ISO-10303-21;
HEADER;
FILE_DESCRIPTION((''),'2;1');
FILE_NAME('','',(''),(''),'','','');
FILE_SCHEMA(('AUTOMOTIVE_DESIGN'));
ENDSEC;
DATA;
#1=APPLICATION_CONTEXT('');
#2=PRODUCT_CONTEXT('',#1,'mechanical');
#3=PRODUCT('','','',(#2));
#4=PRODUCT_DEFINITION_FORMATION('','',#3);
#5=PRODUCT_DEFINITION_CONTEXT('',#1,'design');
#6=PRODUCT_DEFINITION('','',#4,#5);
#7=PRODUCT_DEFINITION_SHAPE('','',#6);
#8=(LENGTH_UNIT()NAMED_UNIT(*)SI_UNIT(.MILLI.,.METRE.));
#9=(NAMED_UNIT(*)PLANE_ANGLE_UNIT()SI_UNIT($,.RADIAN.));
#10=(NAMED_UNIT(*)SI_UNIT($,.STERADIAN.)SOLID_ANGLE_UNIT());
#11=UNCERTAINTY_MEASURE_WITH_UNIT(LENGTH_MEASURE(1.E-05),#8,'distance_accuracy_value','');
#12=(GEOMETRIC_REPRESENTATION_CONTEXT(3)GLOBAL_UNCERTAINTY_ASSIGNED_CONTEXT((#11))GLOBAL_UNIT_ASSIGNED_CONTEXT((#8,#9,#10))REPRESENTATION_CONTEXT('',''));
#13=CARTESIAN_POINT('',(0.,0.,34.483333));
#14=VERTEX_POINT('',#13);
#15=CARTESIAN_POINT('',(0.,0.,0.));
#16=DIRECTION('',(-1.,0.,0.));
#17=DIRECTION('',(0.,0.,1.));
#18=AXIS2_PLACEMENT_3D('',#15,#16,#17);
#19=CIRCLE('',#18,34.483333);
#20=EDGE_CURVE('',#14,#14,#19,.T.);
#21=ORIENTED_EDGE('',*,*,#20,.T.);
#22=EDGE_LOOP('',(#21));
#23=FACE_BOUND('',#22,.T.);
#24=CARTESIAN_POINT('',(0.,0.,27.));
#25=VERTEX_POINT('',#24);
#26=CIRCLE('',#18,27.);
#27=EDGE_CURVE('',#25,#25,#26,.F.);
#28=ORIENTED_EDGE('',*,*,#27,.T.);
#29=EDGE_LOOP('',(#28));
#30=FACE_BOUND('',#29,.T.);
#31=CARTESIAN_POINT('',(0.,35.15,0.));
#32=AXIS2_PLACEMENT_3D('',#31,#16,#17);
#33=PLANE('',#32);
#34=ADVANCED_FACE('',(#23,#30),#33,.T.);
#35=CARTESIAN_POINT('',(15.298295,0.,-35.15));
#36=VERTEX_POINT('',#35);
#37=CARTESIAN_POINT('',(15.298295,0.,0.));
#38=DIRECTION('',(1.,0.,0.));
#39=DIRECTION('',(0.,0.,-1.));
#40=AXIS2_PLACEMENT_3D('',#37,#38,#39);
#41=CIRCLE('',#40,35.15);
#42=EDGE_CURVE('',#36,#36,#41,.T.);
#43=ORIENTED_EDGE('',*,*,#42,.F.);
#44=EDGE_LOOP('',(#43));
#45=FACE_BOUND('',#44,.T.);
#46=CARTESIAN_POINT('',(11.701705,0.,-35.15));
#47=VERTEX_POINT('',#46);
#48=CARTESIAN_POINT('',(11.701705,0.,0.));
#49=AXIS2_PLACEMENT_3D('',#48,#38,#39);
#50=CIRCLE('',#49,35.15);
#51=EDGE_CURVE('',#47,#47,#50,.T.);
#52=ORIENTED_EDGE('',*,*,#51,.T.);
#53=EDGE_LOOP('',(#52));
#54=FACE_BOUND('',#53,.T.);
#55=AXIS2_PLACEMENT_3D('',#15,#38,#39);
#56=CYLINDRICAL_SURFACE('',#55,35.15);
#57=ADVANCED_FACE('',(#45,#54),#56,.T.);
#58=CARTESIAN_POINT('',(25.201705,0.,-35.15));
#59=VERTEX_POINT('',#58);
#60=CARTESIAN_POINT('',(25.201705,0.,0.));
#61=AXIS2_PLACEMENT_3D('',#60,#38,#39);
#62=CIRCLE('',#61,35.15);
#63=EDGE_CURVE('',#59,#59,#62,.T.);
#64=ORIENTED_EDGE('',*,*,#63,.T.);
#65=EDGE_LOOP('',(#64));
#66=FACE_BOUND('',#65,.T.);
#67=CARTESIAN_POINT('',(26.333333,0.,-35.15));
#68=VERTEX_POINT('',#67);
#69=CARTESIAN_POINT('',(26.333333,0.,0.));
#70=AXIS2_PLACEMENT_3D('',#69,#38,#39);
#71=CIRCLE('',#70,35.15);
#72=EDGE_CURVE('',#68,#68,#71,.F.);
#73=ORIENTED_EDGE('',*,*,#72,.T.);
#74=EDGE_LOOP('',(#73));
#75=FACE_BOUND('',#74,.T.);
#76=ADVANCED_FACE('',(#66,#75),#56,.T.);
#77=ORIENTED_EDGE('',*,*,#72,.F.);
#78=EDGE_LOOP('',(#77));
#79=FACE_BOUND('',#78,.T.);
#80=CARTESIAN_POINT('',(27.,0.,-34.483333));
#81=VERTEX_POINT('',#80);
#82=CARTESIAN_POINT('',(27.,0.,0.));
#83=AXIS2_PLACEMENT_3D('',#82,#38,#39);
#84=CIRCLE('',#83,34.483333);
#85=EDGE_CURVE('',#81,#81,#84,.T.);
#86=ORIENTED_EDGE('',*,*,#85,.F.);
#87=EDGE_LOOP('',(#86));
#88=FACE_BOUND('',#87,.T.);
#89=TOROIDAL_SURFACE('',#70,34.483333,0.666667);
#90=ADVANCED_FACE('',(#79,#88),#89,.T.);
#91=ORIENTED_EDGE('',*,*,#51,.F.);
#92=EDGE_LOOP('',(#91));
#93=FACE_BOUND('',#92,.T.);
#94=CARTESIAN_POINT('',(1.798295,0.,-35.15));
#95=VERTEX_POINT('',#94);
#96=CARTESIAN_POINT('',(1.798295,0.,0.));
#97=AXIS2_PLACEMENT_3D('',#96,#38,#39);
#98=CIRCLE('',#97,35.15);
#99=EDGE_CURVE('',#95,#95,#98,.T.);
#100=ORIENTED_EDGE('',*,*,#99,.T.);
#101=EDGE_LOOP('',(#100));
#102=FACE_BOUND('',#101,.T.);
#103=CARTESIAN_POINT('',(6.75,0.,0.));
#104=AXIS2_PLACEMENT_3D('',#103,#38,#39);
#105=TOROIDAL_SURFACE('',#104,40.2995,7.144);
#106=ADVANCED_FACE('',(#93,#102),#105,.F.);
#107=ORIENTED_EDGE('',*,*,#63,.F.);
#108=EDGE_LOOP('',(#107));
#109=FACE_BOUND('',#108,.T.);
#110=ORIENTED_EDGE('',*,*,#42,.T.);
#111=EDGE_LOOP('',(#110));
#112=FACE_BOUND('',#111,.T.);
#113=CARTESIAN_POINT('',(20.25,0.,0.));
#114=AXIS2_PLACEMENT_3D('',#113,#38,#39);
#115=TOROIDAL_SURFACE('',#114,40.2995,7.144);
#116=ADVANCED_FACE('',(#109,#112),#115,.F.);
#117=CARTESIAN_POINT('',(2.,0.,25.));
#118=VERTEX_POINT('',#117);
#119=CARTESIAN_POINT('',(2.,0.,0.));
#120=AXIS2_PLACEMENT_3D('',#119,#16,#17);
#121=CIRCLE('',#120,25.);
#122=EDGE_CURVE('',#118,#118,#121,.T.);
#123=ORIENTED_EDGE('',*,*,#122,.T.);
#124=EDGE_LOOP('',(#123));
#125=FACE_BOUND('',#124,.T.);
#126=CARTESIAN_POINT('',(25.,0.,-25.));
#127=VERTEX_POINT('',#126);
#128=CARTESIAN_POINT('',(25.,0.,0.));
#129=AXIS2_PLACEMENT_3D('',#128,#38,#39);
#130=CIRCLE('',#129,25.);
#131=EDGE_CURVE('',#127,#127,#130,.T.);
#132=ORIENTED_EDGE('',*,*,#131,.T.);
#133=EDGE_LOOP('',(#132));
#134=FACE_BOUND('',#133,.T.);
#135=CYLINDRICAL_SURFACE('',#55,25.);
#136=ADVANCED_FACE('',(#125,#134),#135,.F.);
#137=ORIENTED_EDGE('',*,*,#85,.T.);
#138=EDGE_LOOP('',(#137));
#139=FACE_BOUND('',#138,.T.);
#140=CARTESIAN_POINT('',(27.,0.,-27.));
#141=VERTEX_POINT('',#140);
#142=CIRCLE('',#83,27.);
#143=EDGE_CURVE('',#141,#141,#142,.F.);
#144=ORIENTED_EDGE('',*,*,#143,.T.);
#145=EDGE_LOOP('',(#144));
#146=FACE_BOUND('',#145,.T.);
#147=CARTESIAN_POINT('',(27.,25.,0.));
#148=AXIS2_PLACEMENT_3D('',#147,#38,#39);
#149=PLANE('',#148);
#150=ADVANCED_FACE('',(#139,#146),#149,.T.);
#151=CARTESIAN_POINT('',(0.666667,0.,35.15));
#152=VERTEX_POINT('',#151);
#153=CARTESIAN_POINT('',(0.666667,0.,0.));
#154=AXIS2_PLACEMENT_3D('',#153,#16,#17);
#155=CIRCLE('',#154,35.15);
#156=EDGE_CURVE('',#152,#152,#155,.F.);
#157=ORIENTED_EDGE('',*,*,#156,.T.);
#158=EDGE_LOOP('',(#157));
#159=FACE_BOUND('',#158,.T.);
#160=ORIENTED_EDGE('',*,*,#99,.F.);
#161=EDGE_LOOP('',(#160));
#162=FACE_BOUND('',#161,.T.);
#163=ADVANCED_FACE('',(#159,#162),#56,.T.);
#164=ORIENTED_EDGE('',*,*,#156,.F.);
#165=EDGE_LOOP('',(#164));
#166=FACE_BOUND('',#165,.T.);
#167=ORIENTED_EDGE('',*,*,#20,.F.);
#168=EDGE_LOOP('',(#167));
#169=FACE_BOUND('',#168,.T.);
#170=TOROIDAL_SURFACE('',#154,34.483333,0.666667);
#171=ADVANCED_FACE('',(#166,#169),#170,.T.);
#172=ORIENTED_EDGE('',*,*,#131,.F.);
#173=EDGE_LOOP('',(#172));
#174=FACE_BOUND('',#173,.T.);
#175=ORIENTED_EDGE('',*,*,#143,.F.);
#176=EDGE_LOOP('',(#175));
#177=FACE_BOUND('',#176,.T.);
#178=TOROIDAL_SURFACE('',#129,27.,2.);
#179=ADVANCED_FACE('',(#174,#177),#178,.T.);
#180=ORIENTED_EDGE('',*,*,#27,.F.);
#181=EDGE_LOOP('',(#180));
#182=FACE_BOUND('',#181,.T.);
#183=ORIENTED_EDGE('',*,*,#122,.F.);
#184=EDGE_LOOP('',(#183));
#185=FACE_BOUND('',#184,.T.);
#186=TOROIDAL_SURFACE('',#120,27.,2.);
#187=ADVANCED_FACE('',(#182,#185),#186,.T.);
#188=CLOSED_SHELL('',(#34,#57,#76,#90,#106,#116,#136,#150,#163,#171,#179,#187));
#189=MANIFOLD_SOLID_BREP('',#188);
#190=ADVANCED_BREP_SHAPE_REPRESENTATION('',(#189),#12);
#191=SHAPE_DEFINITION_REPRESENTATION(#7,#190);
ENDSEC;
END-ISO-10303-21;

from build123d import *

# Parameters (mm, degrees)
FILLET1_R = 2
FILLET2_R = 0.666666667


with BuildPart() as part:
    # Sketch1 → Revolve1 (revolve)
    with BuildSketch(Plane.XY, mode=Mode.PRIVATE) as revolve1_sk:
        with BuildLine():
            Line((1.798294662, 35.15), (0, 35.15))
            Line((0, 35.15), (0, 25))
            Line((0, 25), (27, 25))
            Line((27, 25), (27, 35.15))
            Line((27, 35.15), (25.201705338, 35.15))
            ThreePointArc((25.201705338, 35.15), (20.25, 33.1555), (15.298294662, 35.15))
            Line((15.298294662, 35.15), (11.701705338, 35.15))
            ThreePointArc((11.701705338, 35.15), (6.75, 33.1555), (1.798294662, 35.15))
        make_face()
    revolve(revolve1_sk.sketch.rotate(Axis((0, 0, 0), (1, 0, 0)), 270), axis=Axis((0, 0, 0), (1, 0, 0)))

    # Fillet1
    fillet1_edges = [part.edges().sort_by_distance(p)[0] for p in [
        (0, 0, 25),
        (27, 0, 25),
    ]]
    fillet(fillet1_edges, radius=FILLET1_R)

    # Fillet2
    fillet2_edges = [part.edges().sort_by_distance(p)[0] for p in [
        (0, 0, 35.15),
        (27, 0, 35.15),
    ]]
    fillet(fillet2_edges, radius=FILLET2_R)


solid = part.part
